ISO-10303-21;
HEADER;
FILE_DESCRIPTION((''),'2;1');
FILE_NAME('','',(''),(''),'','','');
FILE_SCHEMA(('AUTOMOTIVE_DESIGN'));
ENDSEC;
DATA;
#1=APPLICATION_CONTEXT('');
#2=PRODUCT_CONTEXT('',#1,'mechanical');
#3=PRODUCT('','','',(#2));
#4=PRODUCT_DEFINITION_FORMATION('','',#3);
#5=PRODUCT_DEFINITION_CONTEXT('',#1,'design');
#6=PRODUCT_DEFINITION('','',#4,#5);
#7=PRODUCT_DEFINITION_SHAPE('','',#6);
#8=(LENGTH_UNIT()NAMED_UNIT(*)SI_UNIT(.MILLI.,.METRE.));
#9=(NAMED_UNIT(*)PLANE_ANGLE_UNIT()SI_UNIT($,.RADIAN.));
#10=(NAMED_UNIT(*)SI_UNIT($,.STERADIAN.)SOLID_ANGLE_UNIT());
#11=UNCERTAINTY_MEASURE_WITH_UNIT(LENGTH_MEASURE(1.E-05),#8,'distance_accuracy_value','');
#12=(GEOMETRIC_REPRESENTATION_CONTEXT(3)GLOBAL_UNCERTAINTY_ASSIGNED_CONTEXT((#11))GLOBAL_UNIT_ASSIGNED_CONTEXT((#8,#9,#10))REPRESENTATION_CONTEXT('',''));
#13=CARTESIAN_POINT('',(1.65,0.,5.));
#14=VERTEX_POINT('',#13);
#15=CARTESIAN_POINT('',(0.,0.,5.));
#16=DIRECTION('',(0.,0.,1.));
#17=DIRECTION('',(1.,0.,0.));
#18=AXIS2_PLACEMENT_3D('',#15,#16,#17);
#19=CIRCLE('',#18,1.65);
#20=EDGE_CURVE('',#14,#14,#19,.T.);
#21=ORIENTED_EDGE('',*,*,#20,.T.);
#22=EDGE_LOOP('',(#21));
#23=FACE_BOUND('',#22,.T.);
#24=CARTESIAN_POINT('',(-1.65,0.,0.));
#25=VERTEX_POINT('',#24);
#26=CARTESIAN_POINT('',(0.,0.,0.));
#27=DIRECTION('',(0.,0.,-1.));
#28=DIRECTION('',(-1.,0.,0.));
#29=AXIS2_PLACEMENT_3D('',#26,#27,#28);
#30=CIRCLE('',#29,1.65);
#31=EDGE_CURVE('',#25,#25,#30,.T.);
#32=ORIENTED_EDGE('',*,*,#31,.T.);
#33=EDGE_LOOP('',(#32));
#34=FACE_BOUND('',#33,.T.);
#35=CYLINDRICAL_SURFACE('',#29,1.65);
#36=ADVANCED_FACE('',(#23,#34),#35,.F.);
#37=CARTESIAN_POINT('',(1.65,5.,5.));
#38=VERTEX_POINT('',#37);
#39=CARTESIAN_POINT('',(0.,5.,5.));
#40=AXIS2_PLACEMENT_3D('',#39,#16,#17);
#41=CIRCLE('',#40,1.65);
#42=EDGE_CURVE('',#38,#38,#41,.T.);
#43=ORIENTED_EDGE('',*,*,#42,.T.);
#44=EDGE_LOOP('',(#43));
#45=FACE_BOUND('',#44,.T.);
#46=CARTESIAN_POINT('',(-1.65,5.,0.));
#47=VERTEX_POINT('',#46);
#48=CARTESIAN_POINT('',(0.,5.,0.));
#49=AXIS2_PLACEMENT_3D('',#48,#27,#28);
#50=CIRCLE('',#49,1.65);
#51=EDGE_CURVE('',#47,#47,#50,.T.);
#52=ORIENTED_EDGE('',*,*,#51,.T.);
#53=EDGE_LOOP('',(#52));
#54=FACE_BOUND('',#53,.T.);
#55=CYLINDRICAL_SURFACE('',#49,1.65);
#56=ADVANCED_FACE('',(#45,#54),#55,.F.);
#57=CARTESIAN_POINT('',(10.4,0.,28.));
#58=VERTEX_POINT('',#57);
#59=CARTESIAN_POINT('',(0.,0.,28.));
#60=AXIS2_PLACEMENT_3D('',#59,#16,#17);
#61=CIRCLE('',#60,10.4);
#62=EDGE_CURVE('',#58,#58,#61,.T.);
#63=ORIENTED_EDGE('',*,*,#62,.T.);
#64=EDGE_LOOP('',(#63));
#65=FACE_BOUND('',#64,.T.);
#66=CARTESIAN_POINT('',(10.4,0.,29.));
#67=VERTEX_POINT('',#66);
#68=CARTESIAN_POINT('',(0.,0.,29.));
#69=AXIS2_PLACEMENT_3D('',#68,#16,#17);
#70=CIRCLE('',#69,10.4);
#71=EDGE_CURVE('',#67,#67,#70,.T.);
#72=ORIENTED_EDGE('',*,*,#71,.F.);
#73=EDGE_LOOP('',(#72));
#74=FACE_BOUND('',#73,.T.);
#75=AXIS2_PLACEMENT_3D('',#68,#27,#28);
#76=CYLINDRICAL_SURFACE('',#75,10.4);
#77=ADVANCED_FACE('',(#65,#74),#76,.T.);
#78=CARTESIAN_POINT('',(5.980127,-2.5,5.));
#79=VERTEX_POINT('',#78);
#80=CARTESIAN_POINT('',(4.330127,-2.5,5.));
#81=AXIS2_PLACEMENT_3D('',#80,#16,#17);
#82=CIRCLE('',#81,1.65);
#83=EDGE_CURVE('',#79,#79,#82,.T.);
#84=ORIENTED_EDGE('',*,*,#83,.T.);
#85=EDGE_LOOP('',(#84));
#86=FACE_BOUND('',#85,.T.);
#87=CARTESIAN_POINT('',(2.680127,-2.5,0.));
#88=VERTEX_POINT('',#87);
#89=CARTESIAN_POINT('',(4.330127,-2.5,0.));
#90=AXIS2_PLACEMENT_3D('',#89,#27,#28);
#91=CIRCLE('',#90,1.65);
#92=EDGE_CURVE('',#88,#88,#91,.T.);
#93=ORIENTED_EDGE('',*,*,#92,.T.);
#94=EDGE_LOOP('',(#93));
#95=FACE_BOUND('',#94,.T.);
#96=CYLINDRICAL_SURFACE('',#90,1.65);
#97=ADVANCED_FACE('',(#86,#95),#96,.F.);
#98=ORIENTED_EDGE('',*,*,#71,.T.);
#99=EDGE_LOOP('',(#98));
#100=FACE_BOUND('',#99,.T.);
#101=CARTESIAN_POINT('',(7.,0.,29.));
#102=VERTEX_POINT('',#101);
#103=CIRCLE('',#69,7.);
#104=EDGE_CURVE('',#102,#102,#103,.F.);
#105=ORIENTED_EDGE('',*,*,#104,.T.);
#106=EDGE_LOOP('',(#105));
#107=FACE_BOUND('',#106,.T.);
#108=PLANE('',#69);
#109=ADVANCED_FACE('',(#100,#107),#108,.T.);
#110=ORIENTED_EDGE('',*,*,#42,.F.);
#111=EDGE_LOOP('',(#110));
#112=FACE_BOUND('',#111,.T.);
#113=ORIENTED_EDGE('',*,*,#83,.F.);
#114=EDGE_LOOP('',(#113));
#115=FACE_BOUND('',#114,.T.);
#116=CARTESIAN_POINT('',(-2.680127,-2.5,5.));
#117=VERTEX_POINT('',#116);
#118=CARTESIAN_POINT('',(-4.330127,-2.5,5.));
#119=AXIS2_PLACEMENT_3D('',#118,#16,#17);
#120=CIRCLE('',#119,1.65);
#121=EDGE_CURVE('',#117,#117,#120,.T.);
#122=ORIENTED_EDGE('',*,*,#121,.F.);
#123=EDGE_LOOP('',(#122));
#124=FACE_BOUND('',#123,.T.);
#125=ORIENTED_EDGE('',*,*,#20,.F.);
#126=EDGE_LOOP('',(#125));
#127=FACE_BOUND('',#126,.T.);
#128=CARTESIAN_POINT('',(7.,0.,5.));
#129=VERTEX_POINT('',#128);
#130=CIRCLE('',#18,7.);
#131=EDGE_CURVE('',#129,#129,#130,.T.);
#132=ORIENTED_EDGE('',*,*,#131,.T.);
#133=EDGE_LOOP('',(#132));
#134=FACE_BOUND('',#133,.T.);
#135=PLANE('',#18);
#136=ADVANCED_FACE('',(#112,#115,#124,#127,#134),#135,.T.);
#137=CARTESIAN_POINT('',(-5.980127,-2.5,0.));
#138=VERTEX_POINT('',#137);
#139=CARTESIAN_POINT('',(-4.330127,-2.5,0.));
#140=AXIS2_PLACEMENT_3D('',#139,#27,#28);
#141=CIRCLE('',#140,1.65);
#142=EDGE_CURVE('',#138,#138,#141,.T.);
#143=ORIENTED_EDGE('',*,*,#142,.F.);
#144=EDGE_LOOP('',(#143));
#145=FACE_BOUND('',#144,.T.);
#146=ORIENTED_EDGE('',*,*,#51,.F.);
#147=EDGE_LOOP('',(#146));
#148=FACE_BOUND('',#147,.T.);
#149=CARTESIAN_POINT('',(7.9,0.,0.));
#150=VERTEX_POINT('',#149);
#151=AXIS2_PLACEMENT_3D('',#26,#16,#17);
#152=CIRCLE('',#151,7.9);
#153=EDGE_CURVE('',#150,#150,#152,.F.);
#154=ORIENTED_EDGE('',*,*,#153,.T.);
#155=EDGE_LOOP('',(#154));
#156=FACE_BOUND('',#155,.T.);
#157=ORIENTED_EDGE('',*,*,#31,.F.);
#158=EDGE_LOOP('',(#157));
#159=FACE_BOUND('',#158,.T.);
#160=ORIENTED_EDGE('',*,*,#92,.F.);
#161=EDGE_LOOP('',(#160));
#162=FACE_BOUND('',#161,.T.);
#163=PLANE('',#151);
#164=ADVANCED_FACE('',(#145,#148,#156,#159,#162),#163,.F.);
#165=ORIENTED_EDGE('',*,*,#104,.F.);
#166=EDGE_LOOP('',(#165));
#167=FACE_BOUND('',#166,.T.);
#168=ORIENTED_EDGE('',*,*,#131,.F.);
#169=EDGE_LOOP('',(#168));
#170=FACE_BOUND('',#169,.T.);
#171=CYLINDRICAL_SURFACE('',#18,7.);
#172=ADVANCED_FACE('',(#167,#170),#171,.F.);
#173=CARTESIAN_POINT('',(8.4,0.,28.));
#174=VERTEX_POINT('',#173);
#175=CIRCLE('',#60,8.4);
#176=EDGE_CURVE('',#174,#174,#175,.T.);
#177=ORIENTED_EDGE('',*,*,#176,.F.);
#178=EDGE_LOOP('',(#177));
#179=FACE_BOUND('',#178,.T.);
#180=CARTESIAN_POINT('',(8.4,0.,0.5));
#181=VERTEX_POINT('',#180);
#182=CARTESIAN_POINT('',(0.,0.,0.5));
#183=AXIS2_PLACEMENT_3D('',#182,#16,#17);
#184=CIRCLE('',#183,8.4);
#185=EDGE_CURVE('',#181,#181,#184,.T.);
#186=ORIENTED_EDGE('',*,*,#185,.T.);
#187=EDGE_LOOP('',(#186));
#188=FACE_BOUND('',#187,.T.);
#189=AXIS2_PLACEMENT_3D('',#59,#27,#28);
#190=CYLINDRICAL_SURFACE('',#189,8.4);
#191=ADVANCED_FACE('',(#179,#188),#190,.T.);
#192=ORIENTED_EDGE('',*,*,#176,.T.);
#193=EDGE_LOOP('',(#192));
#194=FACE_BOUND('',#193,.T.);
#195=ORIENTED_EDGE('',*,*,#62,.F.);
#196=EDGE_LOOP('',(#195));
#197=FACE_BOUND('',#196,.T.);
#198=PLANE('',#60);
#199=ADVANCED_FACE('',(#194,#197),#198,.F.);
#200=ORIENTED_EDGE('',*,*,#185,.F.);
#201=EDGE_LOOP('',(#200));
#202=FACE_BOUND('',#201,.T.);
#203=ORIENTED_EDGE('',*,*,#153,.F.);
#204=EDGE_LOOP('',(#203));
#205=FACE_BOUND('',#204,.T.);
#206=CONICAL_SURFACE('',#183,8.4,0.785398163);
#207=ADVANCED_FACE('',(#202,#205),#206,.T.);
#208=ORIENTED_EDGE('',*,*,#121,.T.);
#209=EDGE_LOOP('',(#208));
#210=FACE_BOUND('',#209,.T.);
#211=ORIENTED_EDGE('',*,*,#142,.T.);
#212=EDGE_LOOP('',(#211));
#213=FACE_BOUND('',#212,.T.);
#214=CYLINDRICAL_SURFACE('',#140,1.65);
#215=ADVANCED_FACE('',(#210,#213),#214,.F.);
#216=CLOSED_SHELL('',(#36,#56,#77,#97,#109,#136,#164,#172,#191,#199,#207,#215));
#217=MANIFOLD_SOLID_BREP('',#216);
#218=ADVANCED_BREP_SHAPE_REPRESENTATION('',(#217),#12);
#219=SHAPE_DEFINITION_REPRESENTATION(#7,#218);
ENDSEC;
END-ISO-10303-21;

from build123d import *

# Parameters (mm, degrees)
SKETCH_1_R          = 8.4
EXTRUDE_1_DEPTH     = 28
SKETCH_2_R          = 7
CUT_EXTRUDE_3_DEPTH = 23
HOLE_WIZARD_M4_1_D  = 3.3
SKETCH_10_R         = 10.4
SKETCH_10_R_2       = 8.4
SKETCH_10_R_3       = 7
EXTRUDE_4_DEPTH     = 1
CHAMFER_1_SIZE      = 0.5


with BuildPart() as part:
    # 草图1 → 凸台-拉伸1 (new body)
    with BuildSketch(Plane.XY):
        Circle(SKETCH_1_R)
    extrude(amount=EXTRUDE_1_DEPTH)

    # 草图2 → 切除-拉伸3 (cut)
    with BuildSketch(Plane.XY.offset(28)):
        Circle(SKETCH_2_R)
    extrude(amount=-CUT_EXTRUDE_3_DEPTH, mode=Mode.SUBTRACT)

    # M4 螺纹孔1 (through all)
    with Locations(Plane(origin=(0, 0, 0), x_dir=(-1, 0, 0), z_dir=(0, 0, -1))):
        with Locations((0, 5), (0, 0), (-4.330127019, -2.5), (4.330127019, -2.5)):
            Hole(HOLE_WIZARD_M4_1_D / 2)

    # 草图10 → 凸台-拉伸4 (add)
    # profile 1 of 2: a face of its own
    with BuildSketch(Plane.XY.offset(28)):
        Circle(SKETCH_10_R)
        Circle(SKETCH_10_R_2, mode=Mode.SUBTRACT)
    # profile 2 of 2: a face of its own
    with BuildSketch(Plane.XY.offset(28)):
        Circle(SKETCH_10_R_2)
        Circle(SKETCH_10_R_3, mode=Mode.SUBTRACT)
    extrude(amount=EXTRUDE_4_DEPTH)

    # 倒角1
    chamfer_1_edges = [part.edges().sort_by_distance(p)[0] for p in [
        (-8.4, 0, 0),
    ]]
    chamfer(chamfer_1_edges, length=CHAMFER_1_SIZE)


solid = part.part
